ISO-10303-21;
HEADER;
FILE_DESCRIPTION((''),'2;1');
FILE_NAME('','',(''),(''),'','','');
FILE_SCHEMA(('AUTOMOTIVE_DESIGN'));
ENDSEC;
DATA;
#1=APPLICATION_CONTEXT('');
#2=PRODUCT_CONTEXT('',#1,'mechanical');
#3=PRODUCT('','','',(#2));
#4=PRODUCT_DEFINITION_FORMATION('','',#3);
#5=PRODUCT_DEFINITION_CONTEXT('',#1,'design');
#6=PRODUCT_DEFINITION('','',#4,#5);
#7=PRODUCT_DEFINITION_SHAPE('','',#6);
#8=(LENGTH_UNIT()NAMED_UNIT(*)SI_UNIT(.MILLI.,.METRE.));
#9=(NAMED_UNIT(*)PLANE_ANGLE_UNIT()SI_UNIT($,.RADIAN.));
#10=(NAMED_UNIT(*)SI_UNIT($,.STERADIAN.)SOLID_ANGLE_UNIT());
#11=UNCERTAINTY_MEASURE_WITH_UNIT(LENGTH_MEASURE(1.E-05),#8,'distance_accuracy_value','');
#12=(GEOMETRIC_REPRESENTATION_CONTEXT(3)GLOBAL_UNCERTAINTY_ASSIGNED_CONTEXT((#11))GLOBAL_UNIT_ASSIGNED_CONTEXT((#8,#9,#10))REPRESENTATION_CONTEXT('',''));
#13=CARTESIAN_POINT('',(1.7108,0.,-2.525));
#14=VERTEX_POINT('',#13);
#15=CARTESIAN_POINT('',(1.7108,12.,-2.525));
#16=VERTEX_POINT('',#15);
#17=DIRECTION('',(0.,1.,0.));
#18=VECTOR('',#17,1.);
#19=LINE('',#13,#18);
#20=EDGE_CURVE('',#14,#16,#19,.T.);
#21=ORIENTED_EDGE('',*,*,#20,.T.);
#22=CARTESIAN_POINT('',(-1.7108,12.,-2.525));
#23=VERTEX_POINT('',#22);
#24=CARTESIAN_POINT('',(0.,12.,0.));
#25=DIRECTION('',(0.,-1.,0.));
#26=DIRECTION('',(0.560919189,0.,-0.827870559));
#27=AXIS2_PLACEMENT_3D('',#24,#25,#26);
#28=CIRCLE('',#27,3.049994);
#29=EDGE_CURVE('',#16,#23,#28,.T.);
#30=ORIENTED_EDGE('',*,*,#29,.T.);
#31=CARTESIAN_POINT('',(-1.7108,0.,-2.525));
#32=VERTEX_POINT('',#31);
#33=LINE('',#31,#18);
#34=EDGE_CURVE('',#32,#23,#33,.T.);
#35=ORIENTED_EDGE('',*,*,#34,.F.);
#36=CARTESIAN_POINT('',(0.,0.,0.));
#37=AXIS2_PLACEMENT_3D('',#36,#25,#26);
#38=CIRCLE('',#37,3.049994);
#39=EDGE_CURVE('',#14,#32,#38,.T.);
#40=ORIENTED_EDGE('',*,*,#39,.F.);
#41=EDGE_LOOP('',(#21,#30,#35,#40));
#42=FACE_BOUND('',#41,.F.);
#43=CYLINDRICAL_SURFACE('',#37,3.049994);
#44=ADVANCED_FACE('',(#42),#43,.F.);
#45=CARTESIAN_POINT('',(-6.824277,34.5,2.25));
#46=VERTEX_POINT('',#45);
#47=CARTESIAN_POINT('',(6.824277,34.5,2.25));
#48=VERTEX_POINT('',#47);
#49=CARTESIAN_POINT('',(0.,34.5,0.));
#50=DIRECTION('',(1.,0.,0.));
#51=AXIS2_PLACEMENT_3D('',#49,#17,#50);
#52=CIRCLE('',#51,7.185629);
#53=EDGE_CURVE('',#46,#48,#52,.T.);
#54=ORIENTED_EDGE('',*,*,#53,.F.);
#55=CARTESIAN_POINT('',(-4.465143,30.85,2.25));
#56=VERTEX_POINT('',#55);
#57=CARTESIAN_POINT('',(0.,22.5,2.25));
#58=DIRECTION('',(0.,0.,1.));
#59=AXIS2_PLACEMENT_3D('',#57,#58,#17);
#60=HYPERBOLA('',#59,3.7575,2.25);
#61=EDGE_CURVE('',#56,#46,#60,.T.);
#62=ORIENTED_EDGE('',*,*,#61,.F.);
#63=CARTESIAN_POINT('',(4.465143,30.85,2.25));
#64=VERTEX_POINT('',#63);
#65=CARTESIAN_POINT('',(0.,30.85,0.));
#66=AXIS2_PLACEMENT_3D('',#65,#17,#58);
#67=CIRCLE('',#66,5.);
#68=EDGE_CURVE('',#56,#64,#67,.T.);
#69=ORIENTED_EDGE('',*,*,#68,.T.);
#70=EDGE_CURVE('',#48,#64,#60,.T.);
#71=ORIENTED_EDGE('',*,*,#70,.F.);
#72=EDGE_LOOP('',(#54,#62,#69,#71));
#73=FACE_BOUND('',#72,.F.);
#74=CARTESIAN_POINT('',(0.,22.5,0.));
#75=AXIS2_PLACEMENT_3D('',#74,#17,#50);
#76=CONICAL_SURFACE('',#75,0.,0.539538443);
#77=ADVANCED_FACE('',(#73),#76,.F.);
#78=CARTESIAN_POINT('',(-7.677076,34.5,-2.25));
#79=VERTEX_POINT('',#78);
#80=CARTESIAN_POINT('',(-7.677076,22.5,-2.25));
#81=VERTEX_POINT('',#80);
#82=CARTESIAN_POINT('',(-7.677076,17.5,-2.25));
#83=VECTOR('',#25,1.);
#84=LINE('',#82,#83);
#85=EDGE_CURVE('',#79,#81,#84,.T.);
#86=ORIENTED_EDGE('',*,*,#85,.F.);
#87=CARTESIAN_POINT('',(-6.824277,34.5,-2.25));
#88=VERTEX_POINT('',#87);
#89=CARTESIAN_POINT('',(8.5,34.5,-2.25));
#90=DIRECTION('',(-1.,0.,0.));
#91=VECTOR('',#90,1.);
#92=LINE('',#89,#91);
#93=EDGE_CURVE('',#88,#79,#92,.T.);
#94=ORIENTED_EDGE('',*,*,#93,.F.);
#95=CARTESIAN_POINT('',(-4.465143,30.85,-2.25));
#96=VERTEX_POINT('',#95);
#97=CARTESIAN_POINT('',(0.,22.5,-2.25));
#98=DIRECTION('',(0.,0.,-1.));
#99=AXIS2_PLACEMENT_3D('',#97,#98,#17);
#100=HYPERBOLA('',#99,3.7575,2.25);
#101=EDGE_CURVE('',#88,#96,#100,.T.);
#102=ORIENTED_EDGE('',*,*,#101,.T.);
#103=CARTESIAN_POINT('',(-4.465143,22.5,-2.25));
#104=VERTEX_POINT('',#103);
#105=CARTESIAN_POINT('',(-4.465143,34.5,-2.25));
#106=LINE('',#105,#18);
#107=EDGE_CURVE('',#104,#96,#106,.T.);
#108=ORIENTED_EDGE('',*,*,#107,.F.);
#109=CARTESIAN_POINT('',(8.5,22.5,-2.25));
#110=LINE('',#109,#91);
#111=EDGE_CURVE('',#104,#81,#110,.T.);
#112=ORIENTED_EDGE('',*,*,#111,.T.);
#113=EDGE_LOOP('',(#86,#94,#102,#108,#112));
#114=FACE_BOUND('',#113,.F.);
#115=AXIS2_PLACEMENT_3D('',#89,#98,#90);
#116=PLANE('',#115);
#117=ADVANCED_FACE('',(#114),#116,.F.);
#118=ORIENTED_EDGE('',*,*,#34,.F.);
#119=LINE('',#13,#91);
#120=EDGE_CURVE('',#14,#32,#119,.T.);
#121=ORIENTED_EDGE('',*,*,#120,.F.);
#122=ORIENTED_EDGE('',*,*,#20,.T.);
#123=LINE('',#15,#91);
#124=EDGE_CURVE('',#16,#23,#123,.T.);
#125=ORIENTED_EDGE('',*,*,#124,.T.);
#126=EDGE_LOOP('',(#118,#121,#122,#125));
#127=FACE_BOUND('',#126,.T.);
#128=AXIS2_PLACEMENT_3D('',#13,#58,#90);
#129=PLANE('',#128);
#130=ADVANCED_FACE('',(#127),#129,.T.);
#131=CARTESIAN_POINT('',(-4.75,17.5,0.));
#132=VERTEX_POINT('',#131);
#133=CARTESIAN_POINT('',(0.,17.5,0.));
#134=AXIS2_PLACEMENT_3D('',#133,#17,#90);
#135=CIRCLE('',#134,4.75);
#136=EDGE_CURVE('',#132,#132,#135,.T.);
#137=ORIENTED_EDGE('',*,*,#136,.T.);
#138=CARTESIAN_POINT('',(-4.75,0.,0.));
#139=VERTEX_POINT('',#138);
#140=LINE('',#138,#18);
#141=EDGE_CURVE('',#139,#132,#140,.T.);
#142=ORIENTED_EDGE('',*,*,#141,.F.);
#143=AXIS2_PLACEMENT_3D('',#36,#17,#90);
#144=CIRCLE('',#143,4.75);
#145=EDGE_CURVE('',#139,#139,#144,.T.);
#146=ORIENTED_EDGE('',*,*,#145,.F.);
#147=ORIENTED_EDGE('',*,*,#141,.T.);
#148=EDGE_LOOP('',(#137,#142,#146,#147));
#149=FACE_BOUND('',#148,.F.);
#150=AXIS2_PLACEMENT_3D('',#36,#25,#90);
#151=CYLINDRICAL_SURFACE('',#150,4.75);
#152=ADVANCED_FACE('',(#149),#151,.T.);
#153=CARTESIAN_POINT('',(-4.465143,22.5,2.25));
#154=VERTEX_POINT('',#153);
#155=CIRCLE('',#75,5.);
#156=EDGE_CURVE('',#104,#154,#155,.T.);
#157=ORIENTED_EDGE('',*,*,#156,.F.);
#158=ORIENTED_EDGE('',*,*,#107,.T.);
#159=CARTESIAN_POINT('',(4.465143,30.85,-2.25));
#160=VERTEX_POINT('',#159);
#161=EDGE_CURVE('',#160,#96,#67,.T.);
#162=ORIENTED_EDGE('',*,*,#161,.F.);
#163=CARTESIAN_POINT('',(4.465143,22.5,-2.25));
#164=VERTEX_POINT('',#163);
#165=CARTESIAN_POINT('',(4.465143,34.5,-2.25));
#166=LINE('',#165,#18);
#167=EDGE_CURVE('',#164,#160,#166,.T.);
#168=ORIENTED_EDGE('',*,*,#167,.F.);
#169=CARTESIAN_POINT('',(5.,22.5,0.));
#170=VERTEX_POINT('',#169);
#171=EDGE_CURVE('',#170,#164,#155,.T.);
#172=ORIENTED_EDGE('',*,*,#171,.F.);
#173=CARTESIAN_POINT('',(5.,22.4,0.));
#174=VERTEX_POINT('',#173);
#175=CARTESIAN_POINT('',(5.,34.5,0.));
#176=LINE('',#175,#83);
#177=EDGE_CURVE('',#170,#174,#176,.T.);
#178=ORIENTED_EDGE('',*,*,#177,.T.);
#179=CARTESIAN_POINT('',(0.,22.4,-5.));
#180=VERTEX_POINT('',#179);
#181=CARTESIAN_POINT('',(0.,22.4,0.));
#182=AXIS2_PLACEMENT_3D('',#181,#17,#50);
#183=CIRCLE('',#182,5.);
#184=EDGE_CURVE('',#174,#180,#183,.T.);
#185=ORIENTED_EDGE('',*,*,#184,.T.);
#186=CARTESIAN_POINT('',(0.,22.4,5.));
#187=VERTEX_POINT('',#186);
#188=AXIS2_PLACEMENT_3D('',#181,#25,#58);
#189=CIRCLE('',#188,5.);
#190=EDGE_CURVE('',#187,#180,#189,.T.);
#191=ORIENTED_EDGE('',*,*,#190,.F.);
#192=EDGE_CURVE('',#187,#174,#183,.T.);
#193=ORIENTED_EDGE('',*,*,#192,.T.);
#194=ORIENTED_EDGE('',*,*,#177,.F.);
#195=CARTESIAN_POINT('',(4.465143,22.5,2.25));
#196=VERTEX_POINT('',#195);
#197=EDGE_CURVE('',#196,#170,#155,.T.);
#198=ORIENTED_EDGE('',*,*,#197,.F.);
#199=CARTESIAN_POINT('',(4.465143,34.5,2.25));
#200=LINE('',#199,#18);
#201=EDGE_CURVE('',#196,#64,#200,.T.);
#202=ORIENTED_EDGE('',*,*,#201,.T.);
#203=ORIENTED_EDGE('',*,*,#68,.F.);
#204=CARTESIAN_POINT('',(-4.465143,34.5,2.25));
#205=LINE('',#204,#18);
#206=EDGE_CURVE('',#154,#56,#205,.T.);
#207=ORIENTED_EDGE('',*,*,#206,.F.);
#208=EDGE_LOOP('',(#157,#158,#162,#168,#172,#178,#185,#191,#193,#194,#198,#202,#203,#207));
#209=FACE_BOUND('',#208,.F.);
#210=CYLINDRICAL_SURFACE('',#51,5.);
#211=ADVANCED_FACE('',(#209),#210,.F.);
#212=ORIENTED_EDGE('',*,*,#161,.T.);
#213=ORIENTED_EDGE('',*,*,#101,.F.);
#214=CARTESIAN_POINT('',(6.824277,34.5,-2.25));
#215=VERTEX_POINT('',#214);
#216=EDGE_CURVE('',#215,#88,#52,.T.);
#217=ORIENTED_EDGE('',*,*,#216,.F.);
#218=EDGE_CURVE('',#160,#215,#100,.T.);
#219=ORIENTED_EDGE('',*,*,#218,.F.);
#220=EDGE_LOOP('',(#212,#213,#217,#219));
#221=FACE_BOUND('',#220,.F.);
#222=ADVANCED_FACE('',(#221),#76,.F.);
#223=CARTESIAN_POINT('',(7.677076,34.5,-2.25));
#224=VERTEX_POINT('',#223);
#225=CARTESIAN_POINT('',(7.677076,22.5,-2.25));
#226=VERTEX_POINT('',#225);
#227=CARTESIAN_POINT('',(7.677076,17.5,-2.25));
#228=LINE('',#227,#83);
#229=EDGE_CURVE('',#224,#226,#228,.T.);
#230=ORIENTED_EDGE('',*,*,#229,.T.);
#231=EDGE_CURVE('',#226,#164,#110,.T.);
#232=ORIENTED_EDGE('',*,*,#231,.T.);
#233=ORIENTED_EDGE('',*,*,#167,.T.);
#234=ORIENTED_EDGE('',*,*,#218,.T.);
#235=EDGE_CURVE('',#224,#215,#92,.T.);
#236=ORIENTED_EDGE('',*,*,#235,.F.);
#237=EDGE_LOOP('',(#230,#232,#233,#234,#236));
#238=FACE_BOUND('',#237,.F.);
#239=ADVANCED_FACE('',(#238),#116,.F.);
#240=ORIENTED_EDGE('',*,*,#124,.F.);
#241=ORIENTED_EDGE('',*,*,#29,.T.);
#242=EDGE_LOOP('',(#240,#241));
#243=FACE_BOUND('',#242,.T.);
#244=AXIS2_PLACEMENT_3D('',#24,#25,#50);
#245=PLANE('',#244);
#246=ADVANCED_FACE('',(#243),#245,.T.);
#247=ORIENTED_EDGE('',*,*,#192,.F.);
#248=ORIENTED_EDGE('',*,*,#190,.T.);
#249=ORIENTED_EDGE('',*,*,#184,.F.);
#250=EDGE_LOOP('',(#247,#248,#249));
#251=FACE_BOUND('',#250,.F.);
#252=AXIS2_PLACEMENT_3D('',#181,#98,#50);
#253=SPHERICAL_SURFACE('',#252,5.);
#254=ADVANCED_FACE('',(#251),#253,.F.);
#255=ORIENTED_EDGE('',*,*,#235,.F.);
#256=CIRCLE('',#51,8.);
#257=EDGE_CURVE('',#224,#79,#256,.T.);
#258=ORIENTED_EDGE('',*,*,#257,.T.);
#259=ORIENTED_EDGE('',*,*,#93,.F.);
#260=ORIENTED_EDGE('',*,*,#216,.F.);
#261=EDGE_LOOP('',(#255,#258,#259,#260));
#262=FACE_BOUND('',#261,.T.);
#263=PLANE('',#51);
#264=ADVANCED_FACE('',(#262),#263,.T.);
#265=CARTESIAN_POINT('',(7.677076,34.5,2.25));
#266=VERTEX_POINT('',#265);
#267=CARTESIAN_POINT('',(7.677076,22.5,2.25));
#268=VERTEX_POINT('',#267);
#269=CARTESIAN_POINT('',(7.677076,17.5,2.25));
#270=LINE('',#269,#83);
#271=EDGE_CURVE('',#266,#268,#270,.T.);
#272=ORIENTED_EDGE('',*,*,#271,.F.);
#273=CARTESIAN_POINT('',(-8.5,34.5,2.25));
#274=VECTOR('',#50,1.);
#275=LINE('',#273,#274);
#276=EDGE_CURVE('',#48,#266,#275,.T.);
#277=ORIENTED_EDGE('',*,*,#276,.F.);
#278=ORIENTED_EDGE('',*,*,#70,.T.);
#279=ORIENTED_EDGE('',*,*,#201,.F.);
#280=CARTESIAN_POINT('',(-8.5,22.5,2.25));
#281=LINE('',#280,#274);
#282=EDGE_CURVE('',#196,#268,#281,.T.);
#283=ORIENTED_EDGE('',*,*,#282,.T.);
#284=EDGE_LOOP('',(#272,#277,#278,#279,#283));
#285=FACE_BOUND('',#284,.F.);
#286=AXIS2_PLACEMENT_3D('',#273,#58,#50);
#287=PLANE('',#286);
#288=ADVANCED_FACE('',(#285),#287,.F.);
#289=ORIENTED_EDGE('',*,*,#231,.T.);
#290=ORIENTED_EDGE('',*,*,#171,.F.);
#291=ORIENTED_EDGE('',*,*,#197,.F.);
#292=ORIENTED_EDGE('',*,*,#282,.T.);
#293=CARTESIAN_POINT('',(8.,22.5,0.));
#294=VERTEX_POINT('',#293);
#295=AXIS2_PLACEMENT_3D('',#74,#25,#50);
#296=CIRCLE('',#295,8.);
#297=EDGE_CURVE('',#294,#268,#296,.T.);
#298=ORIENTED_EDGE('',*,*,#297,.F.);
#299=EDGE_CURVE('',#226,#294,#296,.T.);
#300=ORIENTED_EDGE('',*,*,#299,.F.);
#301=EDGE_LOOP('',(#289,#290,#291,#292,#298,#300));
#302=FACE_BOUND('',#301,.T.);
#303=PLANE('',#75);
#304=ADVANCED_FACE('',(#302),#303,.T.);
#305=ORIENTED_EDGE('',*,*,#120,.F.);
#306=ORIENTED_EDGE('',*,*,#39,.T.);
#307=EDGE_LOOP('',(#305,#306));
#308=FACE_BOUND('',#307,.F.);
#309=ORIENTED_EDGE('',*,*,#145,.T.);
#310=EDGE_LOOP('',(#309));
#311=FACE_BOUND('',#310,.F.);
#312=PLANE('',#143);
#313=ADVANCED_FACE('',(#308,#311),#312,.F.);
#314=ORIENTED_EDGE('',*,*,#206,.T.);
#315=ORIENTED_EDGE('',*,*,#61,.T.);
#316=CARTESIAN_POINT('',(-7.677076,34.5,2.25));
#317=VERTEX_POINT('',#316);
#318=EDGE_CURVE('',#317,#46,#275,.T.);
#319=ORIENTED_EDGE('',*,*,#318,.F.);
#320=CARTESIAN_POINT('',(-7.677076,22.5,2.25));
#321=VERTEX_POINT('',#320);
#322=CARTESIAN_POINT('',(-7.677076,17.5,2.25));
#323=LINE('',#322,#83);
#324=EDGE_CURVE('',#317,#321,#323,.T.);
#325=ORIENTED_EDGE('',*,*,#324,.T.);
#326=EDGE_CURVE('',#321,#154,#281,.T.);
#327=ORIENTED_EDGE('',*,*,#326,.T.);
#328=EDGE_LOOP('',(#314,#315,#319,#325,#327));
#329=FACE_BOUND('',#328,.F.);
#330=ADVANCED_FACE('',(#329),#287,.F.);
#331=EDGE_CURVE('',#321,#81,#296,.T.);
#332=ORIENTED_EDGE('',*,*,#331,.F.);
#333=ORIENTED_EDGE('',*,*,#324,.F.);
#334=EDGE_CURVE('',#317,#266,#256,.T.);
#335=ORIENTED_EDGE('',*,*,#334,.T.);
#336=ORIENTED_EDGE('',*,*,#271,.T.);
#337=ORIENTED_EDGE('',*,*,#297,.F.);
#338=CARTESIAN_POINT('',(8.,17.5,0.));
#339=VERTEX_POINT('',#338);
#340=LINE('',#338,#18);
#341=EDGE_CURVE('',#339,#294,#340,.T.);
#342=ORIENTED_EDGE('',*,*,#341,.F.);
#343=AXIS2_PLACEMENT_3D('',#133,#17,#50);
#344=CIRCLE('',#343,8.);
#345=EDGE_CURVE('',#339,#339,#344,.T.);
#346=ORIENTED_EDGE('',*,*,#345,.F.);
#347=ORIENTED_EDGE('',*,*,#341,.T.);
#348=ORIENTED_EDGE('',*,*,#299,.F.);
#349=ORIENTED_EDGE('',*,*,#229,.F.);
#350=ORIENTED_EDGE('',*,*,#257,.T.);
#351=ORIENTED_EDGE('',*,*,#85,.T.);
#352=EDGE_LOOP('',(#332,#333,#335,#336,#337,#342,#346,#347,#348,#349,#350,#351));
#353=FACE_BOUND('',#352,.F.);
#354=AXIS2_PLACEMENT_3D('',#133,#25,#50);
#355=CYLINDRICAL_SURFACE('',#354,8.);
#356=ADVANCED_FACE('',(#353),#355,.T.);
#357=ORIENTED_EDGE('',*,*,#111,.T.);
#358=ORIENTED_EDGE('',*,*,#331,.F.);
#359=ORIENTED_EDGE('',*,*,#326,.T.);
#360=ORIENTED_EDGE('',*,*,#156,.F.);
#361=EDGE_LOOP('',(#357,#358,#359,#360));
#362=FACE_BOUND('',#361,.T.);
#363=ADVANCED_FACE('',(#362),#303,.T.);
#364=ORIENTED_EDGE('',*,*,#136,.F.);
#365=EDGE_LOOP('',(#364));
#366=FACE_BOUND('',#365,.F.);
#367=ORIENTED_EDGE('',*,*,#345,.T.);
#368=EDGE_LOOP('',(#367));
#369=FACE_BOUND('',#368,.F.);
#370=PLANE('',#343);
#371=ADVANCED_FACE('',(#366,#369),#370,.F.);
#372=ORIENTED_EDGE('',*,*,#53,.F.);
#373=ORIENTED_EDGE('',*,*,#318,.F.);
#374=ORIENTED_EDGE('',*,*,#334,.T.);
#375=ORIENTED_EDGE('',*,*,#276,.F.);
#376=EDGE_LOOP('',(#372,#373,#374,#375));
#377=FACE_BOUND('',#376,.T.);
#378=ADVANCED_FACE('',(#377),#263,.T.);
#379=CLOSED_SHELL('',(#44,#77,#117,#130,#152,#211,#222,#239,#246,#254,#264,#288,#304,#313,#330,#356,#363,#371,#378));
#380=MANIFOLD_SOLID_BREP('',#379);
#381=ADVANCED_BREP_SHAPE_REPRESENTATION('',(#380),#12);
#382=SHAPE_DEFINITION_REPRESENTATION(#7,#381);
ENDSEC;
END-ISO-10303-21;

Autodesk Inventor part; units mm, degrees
ref_plane "YZ Plane" through (0, 0, 0) normal (1, 0, 0) x (0, 1, 0)
ref_plane "XZ Plane" through (0, 0, 0) normal (0, 1, 0) x (-1, 0, 0)
ref_plane "XY Plane" through (0, 0, 0) normal (0, 0, 1) x (1, 0, 0)
sketch "Sketch1" plane through (0, 0, 0) normal (0, 1, 0) x (-1, 0, 0)
  circle A0 centre (0, 0) radius 4.75
  dimension "d0" = 9.5
extrude "Extrusion1" add sketch "Sketch1" along normal blind 17.5
sketch "Sketch2" plane through (0, 17.5, 0) normal (0, 1, 0) x (1, 0, 0)
  circle A0 centre (0, 0) radius 8
  dimension "d3" = 16
extrude "Extrusion2" add sketch "Sketch2" along normal blind 17
sketch "Sketch3" plane through (0, 0, 0) normal (0, 0, 1) x (1, 0, 0)
  line L0 (0, 39.2) -> (0, 22.5)
  line L1 (0, 22.5) -> (10, 39.2)
  line L2 (10, 39.2) -> (0, 39.2)
  line L3 (8, 17.5) -> (-8, 17.5) projected
  line L4 (0, -7.84) -> (0, 47.04) projected
  point P0 (0, 0)
  dimension "d6" = 5
  dimension "d7" = 10
  dimension "d8" = 16.7
revolve "Revolution1" cut sketch "Sketch3" angle 360 about axis through (0, -10, 0) along (0, 1, 0)
sketch "Sketch4" plane through (0, 34.5, 0) normal (0, 1, 0) x (1, 0, 0)
  circle A0 centre (0, 0) radius 5
  dimension "d10" = 10
extrude "Extrusion3" cut sketch "Sketch4" against normal blind 12.1
sketch "Sketch5" plane through (0, 34.5, 0) normal (0, 1, 0) x (1, 0, 0)
  line L0 (-8.5, -2.25) -> (8.5, -2.25)
  line L1 (8.5, -2.25) -> (8.5, 2.25)
  line L2 (8.5, 2.25) -> (-8.5, 2.25)
  line L3 (-8.5, 2.25) -> (-8.5, -2.25)
  line L4 (-8.5, -2.25) -> (8.5, 2.25) construction
  line L5 (8.5, -2.25) -> (-8.5, 2.25) construction
  point P0 (0, 0)
  dimension "d13" = 17
  dimension "d14" = 4.5
extrude "Extrusion4" cut sketch "Sketch5" against normal blind 12
sketch "Sketch6" plane through (6.8243, 34.5, -2.25) normal (0, 0, 1) x (1, 0, 0)
  line L0 (-13.6486, 0) -> (0, 0) projected
  line L1 (-11.2894, -3.65) -> (-2.3591, -3.65) projected
  line L2 (0, 0) -> (0, -3.5) construction
  point P0 (-6.8243, -34.5)
  dimension "d17" = 3.65
  dimension "d18" = 2.3591
sketch "Sketch9" plane through (0, 22.4, 0) normal (0, 1, 0) x (1, 0, 0)
  circle A0 centre (0, 0) radius 5 projected
  arc A1 (0, -5) -> (0, 5) centre (0, 0) ccw
  line L0 (0, 0) -> (0, -5) construction
  line L1 (0, 0) -> (0, 5) construction
  line L2 (0, 5) -> (0, -5)
  dimension "d19" = 180
revolve "Revolution2" cut sketch "Sketch9" angle 360 about axis through (0, 22.4, 0) along (0, 0, -1) picked at (1.0391, 1.3031) contours A0 L2
sketch "Sketch16" plane through (0, 0, 0) normal (0, -1, 0) x (1, 0, 0)
  arc A0 (1.7108, -2.525) -> (-1.7108, -2.525) centre (0, 0) ccw
  line L0 (1.7108, -2.525) -> (-1.7108, -2.525)
  dimension "d55" = 6.1
  dimension "d56" = 0.525
extrude "Extrusion8" cut sketch "Sketch16" against normal blind 12
properties part number "shaft"
